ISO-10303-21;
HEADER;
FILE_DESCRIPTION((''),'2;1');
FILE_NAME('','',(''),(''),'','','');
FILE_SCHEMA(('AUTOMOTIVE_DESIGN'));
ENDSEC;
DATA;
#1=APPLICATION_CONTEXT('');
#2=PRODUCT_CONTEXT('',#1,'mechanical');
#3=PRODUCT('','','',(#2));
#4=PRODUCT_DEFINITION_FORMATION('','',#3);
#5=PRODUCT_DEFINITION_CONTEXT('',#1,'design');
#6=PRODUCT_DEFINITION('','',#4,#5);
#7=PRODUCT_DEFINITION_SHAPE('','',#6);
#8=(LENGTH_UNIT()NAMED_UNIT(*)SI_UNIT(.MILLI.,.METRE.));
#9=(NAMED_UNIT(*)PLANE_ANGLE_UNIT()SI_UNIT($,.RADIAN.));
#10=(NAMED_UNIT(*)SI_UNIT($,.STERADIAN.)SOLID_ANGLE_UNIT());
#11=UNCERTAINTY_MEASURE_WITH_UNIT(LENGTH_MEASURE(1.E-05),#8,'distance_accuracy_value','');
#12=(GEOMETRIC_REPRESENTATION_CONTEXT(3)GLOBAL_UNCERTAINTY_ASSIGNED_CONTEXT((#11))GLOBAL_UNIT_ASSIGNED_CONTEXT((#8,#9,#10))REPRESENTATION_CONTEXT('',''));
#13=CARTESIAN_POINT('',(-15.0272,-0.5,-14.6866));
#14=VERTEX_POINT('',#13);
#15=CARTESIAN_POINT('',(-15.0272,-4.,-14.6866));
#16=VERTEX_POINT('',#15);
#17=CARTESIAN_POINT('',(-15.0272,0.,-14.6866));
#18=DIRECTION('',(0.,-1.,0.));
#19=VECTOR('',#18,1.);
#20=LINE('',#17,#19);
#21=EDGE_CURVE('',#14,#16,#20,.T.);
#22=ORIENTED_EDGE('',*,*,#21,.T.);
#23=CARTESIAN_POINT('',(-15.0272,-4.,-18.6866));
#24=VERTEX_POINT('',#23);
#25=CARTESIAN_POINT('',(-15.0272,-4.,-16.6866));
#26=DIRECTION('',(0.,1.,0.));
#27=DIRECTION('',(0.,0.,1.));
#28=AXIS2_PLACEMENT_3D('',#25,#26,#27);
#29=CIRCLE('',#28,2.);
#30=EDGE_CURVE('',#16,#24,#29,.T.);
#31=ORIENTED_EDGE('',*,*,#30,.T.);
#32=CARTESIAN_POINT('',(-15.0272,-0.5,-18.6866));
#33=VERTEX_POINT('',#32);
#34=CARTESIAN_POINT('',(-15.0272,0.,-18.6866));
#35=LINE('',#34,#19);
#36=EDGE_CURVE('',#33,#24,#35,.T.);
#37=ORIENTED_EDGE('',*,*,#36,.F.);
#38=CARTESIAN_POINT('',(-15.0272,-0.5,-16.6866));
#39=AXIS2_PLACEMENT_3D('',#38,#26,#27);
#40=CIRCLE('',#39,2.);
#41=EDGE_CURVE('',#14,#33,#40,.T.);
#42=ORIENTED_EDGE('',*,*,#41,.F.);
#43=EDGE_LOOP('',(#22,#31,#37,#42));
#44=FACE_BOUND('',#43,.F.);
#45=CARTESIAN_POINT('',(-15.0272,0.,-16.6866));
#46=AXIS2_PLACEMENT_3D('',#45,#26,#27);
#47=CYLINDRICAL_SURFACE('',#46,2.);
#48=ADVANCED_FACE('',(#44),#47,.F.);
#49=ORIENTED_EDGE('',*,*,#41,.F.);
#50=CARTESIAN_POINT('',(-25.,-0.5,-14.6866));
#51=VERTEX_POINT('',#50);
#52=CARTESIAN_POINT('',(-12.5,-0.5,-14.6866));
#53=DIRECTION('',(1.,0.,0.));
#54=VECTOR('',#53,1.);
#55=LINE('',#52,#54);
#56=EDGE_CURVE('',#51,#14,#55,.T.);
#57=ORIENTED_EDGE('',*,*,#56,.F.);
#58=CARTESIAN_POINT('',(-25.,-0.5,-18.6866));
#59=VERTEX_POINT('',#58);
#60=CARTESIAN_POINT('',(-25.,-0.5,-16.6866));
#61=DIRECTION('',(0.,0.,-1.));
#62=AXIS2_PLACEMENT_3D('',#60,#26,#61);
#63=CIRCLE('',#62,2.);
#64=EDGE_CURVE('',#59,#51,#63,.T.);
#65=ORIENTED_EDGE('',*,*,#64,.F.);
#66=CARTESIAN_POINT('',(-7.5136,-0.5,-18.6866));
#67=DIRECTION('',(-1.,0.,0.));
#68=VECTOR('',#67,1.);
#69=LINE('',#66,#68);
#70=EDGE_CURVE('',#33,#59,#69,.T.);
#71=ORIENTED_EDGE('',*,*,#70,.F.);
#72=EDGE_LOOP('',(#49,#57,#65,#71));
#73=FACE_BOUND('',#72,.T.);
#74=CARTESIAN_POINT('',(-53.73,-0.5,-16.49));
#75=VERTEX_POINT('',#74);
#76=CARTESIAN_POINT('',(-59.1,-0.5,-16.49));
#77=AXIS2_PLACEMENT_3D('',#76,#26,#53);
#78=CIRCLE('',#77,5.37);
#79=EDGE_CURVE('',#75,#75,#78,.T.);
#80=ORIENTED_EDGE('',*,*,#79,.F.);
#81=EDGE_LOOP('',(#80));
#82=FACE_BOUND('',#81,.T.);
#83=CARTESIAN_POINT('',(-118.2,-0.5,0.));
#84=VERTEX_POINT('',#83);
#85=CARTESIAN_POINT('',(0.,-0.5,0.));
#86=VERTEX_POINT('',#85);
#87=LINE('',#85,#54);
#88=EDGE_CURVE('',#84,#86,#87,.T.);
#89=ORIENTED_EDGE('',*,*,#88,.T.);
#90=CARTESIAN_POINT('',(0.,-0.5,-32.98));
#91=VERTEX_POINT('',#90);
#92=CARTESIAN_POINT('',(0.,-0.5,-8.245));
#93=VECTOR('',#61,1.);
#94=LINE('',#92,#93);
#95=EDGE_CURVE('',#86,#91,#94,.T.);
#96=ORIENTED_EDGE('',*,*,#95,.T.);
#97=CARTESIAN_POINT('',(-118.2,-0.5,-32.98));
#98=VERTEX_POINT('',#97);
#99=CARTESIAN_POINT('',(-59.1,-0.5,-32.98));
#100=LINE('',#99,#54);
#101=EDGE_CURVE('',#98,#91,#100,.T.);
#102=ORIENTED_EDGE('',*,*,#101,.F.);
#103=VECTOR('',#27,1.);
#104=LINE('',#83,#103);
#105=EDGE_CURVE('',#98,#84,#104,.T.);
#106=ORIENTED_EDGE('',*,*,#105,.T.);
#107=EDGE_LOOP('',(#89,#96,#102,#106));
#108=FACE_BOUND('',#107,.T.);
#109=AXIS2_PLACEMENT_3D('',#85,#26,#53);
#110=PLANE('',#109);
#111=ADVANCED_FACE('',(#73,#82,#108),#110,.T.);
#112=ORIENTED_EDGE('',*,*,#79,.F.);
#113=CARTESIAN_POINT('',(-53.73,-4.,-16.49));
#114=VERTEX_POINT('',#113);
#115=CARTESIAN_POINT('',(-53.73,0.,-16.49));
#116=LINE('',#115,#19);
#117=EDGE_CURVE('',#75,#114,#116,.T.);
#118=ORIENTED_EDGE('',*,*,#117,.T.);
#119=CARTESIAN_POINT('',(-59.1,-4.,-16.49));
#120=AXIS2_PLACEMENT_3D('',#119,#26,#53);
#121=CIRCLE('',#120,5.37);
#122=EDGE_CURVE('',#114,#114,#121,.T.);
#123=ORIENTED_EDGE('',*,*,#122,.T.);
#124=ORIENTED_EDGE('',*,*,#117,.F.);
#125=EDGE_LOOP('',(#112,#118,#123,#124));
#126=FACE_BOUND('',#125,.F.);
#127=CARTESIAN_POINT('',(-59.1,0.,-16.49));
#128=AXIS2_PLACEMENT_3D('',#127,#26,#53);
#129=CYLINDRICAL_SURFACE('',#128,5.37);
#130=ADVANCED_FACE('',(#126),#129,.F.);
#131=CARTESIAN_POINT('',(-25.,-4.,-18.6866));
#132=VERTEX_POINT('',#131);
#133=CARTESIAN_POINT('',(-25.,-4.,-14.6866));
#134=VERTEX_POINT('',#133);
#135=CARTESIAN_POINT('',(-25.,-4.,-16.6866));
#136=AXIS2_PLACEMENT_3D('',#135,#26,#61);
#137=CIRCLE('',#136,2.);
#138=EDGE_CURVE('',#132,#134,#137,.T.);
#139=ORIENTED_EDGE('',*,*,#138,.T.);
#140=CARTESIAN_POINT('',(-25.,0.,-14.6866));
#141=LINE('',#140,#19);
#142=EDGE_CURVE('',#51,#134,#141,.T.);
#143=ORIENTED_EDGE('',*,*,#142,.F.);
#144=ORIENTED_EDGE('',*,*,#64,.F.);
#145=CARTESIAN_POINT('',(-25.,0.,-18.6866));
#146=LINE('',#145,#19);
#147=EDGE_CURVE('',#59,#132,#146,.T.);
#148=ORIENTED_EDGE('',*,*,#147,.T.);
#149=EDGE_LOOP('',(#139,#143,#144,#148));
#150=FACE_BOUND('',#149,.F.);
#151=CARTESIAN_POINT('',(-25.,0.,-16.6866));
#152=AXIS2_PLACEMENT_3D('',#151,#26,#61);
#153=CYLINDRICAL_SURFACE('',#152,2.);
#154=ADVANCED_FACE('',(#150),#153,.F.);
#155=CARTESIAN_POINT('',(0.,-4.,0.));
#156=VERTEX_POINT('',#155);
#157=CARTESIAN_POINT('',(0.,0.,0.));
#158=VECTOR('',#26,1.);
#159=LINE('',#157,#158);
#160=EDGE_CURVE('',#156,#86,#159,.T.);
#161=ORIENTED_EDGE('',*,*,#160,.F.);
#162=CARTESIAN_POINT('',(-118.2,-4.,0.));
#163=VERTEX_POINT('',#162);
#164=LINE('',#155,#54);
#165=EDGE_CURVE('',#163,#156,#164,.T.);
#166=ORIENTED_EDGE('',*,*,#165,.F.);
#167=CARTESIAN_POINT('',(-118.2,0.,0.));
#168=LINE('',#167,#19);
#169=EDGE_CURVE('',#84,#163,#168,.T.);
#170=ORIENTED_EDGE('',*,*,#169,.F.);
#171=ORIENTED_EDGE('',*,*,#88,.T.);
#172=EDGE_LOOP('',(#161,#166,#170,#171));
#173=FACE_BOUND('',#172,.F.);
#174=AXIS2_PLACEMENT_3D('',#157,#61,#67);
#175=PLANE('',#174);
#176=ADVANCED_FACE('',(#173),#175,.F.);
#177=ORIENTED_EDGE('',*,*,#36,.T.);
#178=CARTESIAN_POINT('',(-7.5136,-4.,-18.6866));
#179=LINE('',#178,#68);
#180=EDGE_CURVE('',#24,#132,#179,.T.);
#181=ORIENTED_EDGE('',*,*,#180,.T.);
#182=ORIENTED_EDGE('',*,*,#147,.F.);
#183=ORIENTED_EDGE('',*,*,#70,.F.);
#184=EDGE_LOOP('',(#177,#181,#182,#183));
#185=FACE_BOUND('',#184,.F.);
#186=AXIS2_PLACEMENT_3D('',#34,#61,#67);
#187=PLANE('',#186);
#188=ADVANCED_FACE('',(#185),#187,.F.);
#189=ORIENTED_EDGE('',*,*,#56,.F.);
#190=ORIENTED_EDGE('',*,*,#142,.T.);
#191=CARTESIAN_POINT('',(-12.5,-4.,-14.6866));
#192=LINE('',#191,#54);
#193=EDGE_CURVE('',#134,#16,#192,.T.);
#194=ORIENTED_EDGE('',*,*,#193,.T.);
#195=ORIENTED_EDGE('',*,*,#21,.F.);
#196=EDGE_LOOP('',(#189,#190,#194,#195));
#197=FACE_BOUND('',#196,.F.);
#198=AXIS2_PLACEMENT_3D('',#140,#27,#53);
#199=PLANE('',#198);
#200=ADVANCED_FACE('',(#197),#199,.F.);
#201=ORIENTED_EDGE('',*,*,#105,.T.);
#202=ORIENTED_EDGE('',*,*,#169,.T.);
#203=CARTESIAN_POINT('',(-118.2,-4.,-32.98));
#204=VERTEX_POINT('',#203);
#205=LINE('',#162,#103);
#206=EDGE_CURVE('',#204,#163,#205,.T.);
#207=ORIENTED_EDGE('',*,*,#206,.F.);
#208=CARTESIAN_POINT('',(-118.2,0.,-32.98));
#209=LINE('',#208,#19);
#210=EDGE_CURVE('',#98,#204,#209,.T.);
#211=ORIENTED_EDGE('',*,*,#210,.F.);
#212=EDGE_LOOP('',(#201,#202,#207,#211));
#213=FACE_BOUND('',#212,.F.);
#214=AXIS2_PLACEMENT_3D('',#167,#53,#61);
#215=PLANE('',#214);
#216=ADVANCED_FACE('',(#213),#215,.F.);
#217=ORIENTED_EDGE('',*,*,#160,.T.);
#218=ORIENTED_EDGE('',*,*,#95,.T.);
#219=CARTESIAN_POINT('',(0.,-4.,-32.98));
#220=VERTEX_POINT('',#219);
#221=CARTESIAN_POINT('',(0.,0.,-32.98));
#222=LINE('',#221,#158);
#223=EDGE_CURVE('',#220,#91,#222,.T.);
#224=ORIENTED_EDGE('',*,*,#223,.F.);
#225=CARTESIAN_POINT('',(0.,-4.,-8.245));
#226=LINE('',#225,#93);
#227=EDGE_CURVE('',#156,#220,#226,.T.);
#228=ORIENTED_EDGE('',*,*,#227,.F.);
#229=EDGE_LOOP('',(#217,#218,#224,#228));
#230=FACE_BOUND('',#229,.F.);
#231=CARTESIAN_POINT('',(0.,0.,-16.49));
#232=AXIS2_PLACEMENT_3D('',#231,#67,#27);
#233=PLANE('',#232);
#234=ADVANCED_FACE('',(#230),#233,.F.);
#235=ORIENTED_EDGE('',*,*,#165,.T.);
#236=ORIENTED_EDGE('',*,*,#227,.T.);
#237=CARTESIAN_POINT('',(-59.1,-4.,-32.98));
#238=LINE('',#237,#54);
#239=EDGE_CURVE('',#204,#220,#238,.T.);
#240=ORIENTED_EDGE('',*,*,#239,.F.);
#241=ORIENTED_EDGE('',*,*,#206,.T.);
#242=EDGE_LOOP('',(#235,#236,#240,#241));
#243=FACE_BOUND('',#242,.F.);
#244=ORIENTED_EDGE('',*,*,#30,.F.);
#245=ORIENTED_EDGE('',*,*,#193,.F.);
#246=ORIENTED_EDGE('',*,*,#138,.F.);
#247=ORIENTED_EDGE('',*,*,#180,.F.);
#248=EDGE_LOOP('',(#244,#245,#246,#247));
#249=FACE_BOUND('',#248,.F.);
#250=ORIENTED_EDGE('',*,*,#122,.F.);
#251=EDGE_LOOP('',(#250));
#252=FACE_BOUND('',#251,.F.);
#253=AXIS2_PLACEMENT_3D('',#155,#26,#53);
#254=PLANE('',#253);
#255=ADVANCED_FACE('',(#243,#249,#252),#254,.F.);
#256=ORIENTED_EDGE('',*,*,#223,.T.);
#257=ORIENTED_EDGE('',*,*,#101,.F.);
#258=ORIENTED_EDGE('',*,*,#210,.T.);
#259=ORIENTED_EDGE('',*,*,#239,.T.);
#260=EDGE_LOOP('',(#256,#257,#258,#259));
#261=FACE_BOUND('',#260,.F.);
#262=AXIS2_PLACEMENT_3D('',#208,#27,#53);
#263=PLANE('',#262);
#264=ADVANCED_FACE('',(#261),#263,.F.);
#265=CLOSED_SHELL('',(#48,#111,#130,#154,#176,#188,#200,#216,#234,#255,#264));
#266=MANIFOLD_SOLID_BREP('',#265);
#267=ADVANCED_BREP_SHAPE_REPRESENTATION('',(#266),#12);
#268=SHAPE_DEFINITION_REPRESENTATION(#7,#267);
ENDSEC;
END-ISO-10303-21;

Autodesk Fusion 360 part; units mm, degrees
sketch "Sketch1" plane through (0, 0, 0) normal (0, 1, 0) x (1, 0, 0)
  line L0 (0, 0) -> (-118.2, 0)
  line L1 (-118.2, 0) -> (-118.2, 32.98)
  line L2 (-118.2, 32.98) -> (0, 32.98)
  line L3 (0, 32.98) -> (0, 0)
  line L4 (0, 0) -> (0, 16.49)
  line L5 (-118.2, 16.49) -> (0, 16.49)
  circle A0 centre (-59.1, 16.49) radius 5.37
  point P0 (-59.1, 16.49)
  dimension "d1" = 118.2
  dimension "d2" = 32.98
  dimension "d3" = 10.74
  dimension "d4" = 59.1
sketch "Sketch2" plane through (0, 0, 0) normal (0, 1, 0) x (1, 0, 0)
  line L0 (-15.0272, 18.6866) -> (-25, 18.6866)
  arc A0 (-25, 18.6866) -> (-25, 14.6866) centre (-25, 16.6866) ccw
  line L1 (-25, 14.6866) -> (-15.0272, 14.6866)
  arc A1 (-15.0272, 14.6866) -> (-15.0272, 18.6866) centre (-15.0272, 16.6866) ccw
  line L2 (-15.0272, 16.6866) -> (-25, 16.6866) construction
  dimension "d5" = 4
extrude "Extrude1" add sketch "Sketch1" against normal blind 4 contours L0 L1 L3 L4 L5 A0 | L1 L2 L3 L5 A0
extrude "Extrude2" cut sketch "Sketch2" against normal blind 4
move_face "OffsetFaces1" offset -0.5 1 faces at (-100.29, 0, -16.49)
sketch "Sketch3" plane through (0, 0, 0) normal (0, 1, 0) x (1, 0, 0)
sketch "Sketch4" plane through (0, 0, 0) normal (0, 1, 0) x (1, 0, 0)
